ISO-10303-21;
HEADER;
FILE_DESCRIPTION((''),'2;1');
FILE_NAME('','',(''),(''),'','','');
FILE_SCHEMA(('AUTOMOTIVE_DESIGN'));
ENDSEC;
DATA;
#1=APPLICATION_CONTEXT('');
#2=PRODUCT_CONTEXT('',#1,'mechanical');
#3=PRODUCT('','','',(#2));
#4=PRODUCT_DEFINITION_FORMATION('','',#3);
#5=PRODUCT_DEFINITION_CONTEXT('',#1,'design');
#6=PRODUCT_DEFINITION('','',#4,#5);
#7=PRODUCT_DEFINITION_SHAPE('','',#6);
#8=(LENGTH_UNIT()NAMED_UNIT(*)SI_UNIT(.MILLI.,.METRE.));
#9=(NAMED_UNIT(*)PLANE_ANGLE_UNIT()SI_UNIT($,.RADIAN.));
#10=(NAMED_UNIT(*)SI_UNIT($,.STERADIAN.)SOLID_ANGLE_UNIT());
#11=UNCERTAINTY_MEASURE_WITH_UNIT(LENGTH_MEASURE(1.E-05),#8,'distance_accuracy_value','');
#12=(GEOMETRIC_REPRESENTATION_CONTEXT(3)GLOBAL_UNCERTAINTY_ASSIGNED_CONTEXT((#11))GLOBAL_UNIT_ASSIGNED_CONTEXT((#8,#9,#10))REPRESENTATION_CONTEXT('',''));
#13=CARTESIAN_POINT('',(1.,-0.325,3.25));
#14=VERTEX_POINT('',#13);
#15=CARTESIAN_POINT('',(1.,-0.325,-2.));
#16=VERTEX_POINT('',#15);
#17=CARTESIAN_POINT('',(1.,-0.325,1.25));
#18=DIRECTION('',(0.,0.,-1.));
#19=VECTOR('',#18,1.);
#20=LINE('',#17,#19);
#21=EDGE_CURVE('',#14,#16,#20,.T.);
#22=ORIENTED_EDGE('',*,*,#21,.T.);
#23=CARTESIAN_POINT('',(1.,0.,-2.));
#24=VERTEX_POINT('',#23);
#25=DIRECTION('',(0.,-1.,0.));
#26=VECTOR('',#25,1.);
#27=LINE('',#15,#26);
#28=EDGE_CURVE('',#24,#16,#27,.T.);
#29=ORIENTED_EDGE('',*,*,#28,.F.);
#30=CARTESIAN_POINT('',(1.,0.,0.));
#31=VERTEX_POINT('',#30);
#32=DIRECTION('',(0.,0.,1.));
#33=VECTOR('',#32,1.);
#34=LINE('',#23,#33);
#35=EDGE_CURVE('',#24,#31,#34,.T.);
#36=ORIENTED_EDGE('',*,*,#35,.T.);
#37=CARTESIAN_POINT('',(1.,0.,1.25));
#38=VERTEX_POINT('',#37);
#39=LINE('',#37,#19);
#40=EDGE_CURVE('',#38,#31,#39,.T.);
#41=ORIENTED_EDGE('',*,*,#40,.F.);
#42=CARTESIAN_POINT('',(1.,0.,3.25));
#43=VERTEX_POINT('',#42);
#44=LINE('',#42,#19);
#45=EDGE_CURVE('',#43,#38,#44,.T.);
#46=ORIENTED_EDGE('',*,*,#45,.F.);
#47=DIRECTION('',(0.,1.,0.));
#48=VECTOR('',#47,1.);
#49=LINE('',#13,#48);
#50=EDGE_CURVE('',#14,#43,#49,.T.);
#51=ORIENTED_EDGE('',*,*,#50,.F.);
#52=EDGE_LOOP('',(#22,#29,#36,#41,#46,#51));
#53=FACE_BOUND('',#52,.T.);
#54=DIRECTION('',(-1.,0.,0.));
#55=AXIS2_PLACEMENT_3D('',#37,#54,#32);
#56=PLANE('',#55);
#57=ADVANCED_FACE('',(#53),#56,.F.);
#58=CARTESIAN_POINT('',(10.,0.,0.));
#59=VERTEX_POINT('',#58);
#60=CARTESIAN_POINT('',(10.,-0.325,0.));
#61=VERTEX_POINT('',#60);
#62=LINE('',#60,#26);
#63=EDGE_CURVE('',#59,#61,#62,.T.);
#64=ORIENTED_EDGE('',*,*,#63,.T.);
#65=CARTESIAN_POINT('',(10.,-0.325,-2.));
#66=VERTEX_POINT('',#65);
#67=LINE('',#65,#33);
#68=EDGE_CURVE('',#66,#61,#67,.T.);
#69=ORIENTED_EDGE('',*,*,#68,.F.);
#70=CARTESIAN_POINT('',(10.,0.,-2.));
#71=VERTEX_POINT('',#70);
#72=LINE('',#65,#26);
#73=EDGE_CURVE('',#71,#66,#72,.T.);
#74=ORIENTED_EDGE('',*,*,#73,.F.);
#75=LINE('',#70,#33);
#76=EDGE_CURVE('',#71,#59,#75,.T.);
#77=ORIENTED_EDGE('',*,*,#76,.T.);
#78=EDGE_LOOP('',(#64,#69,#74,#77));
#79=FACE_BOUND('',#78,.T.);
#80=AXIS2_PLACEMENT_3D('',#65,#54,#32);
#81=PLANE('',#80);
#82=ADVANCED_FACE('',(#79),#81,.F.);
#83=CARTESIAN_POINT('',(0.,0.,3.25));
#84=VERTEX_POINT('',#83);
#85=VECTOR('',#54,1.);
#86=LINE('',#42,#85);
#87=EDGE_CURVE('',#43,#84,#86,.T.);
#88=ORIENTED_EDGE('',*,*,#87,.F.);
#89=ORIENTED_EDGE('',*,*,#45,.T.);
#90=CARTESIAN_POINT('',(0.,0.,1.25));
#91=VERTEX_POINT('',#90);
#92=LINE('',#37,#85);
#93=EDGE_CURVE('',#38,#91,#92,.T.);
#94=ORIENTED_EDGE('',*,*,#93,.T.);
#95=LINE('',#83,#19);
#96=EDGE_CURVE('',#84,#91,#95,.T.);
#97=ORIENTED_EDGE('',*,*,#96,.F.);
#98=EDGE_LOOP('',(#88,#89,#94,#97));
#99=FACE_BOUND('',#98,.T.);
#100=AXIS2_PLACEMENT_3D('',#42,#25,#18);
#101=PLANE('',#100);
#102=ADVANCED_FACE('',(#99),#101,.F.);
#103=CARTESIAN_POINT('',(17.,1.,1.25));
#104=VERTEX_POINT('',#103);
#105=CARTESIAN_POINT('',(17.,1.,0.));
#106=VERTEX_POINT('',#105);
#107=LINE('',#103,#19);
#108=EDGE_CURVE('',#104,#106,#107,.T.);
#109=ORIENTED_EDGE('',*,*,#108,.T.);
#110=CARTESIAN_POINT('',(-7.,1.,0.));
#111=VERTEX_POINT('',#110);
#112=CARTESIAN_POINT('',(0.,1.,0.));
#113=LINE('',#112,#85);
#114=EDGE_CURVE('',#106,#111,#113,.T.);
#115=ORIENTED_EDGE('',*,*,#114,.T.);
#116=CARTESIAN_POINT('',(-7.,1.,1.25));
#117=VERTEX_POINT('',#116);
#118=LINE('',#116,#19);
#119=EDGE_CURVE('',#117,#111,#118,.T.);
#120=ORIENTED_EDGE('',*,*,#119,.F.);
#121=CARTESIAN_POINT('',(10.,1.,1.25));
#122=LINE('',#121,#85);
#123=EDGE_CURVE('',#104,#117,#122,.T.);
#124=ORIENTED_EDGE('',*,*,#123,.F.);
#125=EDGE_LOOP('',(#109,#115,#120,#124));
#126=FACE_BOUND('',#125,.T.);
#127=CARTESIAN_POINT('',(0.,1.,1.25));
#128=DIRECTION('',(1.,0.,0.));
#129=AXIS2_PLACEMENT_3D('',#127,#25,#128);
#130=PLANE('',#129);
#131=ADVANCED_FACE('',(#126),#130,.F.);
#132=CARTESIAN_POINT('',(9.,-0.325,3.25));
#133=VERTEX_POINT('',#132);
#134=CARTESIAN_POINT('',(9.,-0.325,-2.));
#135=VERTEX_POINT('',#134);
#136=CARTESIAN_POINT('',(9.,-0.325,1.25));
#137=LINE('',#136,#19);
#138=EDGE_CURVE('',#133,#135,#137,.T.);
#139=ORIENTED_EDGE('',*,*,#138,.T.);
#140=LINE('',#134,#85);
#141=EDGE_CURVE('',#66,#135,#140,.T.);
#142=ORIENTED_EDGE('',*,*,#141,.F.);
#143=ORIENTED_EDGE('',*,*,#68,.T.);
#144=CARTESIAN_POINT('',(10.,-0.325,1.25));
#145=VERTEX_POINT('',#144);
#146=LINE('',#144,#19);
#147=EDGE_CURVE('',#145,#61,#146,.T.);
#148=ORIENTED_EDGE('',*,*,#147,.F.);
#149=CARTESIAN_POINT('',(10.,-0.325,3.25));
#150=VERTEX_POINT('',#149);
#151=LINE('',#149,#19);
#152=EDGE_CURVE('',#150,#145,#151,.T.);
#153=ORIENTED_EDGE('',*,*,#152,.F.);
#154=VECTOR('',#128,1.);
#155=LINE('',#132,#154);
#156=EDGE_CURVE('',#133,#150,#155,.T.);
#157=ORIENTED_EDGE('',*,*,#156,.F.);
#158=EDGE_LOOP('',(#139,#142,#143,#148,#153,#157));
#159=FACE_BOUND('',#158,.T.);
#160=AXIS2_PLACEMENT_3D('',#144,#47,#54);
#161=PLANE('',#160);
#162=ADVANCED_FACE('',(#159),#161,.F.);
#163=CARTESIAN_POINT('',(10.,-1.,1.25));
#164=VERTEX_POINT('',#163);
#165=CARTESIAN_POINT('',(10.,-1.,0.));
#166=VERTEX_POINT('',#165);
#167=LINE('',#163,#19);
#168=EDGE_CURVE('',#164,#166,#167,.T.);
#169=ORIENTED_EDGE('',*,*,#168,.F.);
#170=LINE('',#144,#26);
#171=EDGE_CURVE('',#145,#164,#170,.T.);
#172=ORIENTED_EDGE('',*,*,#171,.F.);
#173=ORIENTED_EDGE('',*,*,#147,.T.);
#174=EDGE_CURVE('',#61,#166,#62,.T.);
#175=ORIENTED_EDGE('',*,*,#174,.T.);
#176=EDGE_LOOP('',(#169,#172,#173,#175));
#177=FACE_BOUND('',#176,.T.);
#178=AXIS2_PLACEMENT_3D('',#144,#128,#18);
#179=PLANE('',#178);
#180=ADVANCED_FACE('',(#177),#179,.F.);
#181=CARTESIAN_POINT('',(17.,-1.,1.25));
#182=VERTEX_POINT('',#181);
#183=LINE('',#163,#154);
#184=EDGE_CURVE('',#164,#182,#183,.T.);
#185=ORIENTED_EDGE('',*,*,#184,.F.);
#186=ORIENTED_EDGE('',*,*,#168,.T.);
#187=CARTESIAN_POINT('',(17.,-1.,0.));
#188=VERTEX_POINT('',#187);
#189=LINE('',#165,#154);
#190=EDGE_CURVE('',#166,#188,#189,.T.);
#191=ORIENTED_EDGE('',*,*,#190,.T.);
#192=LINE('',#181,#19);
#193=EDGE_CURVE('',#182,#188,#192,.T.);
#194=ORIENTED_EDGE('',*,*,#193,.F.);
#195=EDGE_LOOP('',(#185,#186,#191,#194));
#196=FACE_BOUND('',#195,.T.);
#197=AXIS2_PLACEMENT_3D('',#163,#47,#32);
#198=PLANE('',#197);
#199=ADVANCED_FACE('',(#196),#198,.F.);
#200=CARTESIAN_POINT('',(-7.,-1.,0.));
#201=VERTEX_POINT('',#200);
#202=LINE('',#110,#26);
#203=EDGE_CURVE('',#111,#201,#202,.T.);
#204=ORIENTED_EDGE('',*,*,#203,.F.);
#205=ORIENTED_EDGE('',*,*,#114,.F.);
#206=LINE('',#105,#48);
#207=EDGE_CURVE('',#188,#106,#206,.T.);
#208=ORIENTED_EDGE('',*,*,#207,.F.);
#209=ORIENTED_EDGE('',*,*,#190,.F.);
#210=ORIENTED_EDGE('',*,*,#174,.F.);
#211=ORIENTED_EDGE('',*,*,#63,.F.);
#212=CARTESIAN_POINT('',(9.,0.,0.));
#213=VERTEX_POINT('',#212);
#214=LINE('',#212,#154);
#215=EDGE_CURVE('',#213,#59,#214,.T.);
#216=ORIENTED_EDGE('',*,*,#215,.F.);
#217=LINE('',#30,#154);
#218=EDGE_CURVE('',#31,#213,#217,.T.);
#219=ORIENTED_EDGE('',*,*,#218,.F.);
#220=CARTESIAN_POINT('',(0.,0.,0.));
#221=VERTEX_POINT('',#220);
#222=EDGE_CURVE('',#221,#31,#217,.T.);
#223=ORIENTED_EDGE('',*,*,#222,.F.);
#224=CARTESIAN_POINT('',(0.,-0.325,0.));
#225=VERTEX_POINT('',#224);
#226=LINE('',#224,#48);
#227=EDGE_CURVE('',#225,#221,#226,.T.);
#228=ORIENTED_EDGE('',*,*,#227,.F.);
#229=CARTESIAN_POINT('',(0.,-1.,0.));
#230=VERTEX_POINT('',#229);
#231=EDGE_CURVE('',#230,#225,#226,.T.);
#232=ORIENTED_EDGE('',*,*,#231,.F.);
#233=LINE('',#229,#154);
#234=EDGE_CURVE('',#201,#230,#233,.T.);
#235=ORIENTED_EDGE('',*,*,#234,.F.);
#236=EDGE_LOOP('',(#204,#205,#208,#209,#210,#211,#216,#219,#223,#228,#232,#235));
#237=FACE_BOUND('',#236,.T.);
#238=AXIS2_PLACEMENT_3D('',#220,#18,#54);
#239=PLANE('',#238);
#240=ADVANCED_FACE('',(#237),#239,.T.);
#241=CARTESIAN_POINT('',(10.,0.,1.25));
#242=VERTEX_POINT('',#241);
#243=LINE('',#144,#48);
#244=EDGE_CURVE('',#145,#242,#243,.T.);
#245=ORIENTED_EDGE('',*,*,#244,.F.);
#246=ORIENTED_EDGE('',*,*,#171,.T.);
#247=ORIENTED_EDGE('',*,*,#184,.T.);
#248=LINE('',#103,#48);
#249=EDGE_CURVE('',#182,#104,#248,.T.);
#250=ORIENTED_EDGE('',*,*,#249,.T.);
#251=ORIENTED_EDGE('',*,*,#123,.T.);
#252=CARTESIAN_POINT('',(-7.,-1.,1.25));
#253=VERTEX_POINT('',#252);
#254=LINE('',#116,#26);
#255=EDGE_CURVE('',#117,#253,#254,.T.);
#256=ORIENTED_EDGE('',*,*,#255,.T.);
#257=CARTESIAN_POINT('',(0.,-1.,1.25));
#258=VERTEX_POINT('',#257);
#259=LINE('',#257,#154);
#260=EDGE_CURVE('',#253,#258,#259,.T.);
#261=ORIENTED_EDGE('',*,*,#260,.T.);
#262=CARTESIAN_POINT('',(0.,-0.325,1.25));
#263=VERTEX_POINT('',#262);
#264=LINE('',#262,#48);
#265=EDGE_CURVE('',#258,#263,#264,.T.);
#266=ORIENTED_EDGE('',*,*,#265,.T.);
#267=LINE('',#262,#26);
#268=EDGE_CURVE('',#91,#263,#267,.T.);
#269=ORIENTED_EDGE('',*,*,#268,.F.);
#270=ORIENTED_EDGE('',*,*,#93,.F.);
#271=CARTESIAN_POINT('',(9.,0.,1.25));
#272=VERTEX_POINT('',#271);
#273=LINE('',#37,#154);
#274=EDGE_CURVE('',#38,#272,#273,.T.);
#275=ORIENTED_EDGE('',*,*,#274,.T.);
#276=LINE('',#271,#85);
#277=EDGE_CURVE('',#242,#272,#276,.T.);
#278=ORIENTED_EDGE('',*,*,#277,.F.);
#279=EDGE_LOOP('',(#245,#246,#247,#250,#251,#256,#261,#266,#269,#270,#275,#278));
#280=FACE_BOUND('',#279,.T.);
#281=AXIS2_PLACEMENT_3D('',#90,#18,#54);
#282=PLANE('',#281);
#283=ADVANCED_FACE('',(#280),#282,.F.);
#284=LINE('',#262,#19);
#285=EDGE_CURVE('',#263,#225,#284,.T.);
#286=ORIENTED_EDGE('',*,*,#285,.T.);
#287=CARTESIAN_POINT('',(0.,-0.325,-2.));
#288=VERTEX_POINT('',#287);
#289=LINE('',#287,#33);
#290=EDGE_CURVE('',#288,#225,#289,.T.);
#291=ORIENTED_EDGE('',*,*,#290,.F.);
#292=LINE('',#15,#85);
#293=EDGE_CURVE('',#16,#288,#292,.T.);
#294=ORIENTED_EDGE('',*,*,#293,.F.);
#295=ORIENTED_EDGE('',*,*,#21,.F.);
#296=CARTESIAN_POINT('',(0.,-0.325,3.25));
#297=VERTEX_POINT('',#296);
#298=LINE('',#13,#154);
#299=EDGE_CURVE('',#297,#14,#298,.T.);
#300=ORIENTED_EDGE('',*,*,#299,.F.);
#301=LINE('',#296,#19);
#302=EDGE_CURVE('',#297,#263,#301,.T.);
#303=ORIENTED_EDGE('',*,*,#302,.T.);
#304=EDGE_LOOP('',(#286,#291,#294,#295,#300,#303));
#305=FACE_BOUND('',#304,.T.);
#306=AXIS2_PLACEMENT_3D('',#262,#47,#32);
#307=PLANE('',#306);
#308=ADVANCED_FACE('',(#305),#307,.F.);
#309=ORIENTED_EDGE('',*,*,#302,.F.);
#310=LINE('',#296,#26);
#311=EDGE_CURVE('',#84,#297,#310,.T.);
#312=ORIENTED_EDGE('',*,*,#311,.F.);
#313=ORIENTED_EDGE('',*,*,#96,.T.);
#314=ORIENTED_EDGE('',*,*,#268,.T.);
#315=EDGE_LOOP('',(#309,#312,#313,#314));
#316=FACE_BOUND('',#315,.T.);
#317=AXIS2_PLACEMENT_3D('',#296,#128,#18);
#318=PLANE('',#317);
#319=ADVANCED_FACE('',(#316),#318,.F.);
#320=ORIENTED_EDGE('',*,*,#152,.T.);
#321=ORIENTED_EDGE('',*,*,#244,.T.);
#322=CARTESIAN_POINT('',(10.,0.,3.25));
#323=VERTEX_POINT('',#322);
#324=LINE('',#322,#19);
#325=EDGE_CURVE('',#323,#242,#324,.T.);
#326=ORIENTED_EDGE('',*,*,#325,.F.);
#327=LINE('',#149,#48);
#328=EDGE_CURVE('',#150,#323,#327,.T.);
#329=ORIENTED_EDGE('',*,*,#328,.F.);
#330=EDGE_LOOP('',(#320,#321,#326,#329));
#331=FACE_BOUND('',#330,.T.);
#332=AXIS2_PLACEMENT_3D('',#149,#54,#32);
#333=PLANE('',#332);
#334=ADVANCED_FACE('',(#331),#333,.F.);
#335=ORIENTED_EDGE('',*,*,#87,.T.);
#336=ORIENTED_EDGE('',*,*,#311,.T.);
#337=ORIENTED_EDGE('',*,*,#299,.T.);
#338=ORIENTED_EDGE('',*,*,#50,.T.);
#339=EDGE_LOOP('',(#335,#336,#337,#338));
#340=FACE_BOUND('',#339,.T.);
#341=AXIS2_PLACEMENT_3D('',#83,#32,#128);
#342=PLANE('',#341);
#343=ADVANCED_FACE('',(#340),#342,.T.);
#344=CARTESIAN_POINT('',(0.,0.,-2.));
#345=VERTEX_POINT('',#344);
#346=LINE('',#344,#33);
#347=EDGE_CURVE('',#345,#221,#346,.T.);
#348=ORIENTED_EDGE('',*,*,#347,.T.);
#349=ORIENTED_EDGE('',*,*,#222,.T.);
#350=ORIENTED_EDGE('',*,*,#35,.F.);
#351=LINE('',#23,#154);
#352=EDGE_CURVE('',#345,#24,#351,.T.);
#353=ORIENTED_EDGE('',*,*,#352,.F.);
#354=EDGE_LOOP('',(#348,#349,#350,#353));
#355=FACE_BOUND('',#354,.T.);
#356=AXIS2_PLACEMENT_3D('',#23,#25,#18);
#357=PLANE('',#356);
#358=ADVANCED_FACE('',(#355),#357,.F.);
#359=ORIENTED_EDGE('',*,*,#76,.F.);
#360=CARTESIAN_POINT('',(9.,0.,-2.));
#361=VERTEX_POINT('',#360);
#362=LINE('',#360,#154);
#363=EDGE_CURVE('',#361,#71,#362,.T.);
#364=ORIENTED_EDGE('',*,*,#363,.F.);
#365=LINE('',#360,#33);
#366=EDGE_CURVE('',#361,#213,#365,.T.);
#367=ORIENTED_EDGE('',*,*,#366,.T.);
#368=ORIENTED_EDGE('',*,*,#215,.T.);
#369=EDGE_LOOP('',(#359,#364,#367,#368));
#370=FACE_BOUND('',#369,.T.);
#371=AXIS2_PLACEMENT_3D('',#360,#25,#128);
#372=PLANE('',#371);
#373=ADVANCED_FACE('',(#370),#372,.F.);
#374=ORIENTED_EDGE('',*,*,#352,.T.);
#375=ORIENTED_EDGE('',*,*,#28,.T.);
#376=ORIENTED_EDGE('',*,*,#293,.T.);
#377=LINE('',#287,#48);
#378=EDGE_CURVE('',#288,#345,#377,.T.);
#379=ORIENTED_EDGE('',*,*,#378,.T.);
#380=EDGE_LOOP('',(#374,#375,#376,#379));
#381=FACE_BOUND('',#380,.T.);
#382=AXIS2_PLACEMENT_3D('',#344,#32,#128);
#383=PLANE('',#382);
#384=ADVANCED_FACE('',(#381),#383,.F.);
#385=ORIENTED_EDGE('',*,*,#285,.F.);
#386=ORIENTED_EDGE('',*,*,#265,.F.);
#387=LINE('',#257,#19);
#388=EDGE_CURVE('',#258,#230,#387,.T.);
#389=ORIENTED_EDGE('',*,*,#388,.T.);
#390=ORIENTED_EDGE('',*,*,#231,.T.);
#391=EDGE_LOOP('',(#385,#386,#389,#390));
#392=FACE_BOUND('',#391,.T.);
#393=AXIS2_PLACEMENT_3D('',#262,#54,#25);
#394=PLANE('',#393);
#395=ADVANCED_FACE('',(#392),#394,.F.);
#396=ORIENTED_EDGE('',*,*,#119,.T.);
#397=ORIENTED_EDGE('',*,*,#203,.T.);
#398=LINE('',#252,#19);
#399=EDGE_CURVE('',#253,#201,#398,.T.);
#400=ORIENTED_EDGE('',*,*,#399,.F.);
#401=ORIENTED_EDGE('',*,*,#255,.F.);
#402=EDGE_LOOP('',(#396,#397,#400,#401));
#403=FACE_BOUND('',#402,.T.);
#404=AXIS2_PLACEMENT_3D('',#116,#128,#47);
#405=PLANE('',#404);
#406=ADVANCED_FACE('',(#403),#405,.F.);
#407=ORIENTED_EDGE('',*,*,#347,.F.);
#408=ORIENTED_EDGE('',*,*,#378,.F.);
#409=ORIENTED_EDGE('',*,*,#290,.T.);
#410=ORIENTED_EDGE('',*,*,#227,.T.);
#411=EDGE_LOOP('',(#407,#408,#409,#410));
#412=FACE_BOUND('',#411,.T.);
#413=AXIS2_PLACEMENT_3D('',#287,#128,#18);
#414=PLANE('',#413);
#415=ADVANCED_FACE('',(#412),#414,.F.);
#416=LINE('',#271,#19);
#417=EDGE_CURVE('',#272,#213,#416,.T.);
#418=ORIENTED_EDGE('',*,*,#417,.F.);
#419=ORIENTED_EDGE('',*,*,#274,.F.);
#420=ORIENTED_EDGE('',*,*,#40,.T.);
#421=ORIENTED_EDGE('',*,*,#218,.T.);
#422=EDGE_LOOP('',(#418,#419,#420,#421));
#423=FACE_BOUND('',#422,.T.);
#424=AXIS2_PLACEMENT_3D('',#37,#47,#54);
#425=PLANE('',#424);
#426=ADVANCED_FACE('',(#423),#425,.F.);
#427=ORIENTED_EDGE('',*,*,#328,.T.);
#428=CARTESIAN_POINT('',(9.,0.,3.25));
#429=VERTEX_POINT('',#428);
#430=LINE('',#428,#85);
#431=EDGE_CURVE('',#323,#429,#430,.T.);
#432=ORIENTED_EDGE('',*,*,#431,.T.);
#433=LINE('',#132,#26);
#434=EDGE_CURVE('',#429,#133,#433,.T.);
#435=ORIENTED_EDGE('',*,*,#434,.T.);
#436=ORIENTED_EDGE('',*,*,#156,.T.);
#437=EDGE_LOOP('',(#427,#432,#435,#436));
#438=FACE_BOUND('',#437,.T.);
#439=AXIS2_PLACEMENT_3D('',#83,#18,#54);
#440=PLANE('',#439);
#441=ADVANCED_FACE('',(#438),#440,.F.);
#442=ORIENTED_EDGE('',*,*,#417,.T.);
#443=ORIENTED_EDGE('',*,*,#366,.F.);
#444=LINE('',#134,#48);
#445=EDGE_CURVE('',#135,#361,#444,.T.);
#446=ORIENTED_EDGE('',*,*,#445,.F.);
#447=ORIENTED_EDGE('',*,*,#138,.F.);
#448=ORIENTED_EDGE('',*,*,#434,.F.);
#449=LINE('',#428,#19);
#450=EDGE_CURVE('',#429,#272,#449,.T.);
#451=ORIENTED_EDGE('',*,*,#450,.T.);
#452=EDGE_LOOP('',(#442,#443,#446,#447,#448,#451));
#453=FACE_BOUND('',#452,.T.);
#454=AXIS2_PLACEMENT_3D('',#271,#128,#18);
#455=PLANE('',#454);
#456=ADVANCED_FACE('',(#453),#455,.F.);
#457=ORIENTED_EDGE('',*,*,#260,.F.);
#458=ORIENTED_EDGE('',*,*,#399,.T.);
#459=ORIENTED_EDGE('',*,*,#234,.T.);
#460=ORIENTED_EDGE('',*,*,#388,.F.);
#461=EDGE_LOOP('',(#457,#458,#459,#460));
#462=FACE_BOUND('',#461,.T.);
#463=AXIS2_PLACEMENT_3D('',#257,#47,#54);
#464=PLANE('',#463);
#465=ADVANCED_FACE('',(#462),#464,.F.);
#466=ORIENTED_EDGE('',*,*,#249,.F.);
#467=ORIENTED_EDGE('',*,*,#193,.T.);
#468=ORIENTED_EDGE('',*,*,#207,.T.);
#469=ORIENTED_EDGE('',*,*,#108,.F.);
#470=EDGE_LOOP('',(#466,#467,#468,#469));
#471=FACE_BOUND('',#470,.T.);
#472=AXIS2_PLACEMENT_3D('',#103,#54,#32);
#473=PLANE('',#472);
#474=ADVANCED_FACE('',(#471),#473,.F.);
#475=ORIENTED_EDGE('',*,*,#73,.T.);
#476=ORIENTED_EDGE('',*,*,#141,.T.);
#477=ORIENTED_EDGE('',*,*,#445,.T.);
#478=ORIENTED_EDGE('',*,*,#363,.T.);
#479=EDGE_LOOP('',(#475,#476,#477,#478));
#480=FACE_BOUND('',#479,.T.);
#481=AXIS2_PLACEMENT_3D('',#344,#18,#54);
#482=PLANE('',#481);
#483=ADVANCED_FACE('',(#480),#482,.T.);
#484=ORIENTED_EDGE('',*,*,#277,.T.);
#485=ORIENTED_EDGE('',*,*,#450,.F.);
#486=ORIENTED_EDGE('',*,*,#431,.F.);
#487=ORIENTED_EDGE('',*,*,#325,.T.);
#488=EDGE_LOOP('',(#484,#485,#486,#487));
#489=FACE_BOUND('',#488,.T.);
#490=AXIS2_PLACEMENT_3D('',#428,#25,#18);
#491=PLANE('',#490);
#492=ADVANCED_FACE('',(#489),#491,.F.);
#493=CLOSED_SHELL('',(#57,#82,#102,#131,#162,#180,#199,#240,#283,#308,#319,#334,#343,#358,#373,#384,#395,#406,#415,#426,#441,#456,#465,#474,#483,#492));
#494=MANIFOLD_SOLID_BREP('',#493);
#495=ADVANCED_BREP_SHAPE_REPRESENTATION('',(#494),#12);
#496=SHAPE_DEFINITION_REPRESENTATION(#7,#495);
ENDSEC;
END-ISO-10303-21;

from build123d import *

# Parameters (mm, degrees)
BOSS_EXTRUDE1_DEPTH = 1.25
SKETCH2_W           = 1
SKETCH2_H           = 0.325
BOSS_EXTRUDE2_DEPTH = 2
SKETCH3_W           = 1
SKETCH3_H           = 0.325
BOSS_EXTRUDE3_DEPTH = 2


with BuildPart() as part:
    # Sketch1 → Boss-Extrude1 (new body)
    with BuildSketch(Plane.XY):
        Polygon((1, 0), (9, 0), (9, -0.325), (10, -0.325), (10, -1), (17, -1), (17, 1), (10, 1), (0, 1), (-7, 1), (-7, -1), (0, -1), (0, -0.325), (1, -0.325), align=None)
    extrude(amount=BOSS_EXTRUDE1_DEPTH)

    # Sketch2 → Boss-Extrude2 (add)
    with BuildSketch(Plane.XY.offset(1.25)):
        with Locations((0.5, -0.1625)):
            Rectangle(SKETCH2_W, SKETCH2_H)
        with Locations((9.5, -0.1625)):
            Rectangle(SKETCH2_W, SKETCH2_H)
    extrude(amount=BOSS_EXTRUDE2_DEPTH)

    # Sketch3 → Boss-Extrude3 (add)
    with BuildSketch(Plane(origin=(0, 0, 0), x_dir=(-1, 0, 0), z_dir=(0, 0, -1))):
        with Locations((-9.5, -0.1625)):
            Rectangle(SKETCH3_W, SKETCH3_H)
        with Locations((-0.5, -0.1625)):
            Rectangle(SKETCH3_W, SKETCH3_H)
    extrude(amount=BOSS_EXTRUDE3_DEPTH)


solid = part.part
